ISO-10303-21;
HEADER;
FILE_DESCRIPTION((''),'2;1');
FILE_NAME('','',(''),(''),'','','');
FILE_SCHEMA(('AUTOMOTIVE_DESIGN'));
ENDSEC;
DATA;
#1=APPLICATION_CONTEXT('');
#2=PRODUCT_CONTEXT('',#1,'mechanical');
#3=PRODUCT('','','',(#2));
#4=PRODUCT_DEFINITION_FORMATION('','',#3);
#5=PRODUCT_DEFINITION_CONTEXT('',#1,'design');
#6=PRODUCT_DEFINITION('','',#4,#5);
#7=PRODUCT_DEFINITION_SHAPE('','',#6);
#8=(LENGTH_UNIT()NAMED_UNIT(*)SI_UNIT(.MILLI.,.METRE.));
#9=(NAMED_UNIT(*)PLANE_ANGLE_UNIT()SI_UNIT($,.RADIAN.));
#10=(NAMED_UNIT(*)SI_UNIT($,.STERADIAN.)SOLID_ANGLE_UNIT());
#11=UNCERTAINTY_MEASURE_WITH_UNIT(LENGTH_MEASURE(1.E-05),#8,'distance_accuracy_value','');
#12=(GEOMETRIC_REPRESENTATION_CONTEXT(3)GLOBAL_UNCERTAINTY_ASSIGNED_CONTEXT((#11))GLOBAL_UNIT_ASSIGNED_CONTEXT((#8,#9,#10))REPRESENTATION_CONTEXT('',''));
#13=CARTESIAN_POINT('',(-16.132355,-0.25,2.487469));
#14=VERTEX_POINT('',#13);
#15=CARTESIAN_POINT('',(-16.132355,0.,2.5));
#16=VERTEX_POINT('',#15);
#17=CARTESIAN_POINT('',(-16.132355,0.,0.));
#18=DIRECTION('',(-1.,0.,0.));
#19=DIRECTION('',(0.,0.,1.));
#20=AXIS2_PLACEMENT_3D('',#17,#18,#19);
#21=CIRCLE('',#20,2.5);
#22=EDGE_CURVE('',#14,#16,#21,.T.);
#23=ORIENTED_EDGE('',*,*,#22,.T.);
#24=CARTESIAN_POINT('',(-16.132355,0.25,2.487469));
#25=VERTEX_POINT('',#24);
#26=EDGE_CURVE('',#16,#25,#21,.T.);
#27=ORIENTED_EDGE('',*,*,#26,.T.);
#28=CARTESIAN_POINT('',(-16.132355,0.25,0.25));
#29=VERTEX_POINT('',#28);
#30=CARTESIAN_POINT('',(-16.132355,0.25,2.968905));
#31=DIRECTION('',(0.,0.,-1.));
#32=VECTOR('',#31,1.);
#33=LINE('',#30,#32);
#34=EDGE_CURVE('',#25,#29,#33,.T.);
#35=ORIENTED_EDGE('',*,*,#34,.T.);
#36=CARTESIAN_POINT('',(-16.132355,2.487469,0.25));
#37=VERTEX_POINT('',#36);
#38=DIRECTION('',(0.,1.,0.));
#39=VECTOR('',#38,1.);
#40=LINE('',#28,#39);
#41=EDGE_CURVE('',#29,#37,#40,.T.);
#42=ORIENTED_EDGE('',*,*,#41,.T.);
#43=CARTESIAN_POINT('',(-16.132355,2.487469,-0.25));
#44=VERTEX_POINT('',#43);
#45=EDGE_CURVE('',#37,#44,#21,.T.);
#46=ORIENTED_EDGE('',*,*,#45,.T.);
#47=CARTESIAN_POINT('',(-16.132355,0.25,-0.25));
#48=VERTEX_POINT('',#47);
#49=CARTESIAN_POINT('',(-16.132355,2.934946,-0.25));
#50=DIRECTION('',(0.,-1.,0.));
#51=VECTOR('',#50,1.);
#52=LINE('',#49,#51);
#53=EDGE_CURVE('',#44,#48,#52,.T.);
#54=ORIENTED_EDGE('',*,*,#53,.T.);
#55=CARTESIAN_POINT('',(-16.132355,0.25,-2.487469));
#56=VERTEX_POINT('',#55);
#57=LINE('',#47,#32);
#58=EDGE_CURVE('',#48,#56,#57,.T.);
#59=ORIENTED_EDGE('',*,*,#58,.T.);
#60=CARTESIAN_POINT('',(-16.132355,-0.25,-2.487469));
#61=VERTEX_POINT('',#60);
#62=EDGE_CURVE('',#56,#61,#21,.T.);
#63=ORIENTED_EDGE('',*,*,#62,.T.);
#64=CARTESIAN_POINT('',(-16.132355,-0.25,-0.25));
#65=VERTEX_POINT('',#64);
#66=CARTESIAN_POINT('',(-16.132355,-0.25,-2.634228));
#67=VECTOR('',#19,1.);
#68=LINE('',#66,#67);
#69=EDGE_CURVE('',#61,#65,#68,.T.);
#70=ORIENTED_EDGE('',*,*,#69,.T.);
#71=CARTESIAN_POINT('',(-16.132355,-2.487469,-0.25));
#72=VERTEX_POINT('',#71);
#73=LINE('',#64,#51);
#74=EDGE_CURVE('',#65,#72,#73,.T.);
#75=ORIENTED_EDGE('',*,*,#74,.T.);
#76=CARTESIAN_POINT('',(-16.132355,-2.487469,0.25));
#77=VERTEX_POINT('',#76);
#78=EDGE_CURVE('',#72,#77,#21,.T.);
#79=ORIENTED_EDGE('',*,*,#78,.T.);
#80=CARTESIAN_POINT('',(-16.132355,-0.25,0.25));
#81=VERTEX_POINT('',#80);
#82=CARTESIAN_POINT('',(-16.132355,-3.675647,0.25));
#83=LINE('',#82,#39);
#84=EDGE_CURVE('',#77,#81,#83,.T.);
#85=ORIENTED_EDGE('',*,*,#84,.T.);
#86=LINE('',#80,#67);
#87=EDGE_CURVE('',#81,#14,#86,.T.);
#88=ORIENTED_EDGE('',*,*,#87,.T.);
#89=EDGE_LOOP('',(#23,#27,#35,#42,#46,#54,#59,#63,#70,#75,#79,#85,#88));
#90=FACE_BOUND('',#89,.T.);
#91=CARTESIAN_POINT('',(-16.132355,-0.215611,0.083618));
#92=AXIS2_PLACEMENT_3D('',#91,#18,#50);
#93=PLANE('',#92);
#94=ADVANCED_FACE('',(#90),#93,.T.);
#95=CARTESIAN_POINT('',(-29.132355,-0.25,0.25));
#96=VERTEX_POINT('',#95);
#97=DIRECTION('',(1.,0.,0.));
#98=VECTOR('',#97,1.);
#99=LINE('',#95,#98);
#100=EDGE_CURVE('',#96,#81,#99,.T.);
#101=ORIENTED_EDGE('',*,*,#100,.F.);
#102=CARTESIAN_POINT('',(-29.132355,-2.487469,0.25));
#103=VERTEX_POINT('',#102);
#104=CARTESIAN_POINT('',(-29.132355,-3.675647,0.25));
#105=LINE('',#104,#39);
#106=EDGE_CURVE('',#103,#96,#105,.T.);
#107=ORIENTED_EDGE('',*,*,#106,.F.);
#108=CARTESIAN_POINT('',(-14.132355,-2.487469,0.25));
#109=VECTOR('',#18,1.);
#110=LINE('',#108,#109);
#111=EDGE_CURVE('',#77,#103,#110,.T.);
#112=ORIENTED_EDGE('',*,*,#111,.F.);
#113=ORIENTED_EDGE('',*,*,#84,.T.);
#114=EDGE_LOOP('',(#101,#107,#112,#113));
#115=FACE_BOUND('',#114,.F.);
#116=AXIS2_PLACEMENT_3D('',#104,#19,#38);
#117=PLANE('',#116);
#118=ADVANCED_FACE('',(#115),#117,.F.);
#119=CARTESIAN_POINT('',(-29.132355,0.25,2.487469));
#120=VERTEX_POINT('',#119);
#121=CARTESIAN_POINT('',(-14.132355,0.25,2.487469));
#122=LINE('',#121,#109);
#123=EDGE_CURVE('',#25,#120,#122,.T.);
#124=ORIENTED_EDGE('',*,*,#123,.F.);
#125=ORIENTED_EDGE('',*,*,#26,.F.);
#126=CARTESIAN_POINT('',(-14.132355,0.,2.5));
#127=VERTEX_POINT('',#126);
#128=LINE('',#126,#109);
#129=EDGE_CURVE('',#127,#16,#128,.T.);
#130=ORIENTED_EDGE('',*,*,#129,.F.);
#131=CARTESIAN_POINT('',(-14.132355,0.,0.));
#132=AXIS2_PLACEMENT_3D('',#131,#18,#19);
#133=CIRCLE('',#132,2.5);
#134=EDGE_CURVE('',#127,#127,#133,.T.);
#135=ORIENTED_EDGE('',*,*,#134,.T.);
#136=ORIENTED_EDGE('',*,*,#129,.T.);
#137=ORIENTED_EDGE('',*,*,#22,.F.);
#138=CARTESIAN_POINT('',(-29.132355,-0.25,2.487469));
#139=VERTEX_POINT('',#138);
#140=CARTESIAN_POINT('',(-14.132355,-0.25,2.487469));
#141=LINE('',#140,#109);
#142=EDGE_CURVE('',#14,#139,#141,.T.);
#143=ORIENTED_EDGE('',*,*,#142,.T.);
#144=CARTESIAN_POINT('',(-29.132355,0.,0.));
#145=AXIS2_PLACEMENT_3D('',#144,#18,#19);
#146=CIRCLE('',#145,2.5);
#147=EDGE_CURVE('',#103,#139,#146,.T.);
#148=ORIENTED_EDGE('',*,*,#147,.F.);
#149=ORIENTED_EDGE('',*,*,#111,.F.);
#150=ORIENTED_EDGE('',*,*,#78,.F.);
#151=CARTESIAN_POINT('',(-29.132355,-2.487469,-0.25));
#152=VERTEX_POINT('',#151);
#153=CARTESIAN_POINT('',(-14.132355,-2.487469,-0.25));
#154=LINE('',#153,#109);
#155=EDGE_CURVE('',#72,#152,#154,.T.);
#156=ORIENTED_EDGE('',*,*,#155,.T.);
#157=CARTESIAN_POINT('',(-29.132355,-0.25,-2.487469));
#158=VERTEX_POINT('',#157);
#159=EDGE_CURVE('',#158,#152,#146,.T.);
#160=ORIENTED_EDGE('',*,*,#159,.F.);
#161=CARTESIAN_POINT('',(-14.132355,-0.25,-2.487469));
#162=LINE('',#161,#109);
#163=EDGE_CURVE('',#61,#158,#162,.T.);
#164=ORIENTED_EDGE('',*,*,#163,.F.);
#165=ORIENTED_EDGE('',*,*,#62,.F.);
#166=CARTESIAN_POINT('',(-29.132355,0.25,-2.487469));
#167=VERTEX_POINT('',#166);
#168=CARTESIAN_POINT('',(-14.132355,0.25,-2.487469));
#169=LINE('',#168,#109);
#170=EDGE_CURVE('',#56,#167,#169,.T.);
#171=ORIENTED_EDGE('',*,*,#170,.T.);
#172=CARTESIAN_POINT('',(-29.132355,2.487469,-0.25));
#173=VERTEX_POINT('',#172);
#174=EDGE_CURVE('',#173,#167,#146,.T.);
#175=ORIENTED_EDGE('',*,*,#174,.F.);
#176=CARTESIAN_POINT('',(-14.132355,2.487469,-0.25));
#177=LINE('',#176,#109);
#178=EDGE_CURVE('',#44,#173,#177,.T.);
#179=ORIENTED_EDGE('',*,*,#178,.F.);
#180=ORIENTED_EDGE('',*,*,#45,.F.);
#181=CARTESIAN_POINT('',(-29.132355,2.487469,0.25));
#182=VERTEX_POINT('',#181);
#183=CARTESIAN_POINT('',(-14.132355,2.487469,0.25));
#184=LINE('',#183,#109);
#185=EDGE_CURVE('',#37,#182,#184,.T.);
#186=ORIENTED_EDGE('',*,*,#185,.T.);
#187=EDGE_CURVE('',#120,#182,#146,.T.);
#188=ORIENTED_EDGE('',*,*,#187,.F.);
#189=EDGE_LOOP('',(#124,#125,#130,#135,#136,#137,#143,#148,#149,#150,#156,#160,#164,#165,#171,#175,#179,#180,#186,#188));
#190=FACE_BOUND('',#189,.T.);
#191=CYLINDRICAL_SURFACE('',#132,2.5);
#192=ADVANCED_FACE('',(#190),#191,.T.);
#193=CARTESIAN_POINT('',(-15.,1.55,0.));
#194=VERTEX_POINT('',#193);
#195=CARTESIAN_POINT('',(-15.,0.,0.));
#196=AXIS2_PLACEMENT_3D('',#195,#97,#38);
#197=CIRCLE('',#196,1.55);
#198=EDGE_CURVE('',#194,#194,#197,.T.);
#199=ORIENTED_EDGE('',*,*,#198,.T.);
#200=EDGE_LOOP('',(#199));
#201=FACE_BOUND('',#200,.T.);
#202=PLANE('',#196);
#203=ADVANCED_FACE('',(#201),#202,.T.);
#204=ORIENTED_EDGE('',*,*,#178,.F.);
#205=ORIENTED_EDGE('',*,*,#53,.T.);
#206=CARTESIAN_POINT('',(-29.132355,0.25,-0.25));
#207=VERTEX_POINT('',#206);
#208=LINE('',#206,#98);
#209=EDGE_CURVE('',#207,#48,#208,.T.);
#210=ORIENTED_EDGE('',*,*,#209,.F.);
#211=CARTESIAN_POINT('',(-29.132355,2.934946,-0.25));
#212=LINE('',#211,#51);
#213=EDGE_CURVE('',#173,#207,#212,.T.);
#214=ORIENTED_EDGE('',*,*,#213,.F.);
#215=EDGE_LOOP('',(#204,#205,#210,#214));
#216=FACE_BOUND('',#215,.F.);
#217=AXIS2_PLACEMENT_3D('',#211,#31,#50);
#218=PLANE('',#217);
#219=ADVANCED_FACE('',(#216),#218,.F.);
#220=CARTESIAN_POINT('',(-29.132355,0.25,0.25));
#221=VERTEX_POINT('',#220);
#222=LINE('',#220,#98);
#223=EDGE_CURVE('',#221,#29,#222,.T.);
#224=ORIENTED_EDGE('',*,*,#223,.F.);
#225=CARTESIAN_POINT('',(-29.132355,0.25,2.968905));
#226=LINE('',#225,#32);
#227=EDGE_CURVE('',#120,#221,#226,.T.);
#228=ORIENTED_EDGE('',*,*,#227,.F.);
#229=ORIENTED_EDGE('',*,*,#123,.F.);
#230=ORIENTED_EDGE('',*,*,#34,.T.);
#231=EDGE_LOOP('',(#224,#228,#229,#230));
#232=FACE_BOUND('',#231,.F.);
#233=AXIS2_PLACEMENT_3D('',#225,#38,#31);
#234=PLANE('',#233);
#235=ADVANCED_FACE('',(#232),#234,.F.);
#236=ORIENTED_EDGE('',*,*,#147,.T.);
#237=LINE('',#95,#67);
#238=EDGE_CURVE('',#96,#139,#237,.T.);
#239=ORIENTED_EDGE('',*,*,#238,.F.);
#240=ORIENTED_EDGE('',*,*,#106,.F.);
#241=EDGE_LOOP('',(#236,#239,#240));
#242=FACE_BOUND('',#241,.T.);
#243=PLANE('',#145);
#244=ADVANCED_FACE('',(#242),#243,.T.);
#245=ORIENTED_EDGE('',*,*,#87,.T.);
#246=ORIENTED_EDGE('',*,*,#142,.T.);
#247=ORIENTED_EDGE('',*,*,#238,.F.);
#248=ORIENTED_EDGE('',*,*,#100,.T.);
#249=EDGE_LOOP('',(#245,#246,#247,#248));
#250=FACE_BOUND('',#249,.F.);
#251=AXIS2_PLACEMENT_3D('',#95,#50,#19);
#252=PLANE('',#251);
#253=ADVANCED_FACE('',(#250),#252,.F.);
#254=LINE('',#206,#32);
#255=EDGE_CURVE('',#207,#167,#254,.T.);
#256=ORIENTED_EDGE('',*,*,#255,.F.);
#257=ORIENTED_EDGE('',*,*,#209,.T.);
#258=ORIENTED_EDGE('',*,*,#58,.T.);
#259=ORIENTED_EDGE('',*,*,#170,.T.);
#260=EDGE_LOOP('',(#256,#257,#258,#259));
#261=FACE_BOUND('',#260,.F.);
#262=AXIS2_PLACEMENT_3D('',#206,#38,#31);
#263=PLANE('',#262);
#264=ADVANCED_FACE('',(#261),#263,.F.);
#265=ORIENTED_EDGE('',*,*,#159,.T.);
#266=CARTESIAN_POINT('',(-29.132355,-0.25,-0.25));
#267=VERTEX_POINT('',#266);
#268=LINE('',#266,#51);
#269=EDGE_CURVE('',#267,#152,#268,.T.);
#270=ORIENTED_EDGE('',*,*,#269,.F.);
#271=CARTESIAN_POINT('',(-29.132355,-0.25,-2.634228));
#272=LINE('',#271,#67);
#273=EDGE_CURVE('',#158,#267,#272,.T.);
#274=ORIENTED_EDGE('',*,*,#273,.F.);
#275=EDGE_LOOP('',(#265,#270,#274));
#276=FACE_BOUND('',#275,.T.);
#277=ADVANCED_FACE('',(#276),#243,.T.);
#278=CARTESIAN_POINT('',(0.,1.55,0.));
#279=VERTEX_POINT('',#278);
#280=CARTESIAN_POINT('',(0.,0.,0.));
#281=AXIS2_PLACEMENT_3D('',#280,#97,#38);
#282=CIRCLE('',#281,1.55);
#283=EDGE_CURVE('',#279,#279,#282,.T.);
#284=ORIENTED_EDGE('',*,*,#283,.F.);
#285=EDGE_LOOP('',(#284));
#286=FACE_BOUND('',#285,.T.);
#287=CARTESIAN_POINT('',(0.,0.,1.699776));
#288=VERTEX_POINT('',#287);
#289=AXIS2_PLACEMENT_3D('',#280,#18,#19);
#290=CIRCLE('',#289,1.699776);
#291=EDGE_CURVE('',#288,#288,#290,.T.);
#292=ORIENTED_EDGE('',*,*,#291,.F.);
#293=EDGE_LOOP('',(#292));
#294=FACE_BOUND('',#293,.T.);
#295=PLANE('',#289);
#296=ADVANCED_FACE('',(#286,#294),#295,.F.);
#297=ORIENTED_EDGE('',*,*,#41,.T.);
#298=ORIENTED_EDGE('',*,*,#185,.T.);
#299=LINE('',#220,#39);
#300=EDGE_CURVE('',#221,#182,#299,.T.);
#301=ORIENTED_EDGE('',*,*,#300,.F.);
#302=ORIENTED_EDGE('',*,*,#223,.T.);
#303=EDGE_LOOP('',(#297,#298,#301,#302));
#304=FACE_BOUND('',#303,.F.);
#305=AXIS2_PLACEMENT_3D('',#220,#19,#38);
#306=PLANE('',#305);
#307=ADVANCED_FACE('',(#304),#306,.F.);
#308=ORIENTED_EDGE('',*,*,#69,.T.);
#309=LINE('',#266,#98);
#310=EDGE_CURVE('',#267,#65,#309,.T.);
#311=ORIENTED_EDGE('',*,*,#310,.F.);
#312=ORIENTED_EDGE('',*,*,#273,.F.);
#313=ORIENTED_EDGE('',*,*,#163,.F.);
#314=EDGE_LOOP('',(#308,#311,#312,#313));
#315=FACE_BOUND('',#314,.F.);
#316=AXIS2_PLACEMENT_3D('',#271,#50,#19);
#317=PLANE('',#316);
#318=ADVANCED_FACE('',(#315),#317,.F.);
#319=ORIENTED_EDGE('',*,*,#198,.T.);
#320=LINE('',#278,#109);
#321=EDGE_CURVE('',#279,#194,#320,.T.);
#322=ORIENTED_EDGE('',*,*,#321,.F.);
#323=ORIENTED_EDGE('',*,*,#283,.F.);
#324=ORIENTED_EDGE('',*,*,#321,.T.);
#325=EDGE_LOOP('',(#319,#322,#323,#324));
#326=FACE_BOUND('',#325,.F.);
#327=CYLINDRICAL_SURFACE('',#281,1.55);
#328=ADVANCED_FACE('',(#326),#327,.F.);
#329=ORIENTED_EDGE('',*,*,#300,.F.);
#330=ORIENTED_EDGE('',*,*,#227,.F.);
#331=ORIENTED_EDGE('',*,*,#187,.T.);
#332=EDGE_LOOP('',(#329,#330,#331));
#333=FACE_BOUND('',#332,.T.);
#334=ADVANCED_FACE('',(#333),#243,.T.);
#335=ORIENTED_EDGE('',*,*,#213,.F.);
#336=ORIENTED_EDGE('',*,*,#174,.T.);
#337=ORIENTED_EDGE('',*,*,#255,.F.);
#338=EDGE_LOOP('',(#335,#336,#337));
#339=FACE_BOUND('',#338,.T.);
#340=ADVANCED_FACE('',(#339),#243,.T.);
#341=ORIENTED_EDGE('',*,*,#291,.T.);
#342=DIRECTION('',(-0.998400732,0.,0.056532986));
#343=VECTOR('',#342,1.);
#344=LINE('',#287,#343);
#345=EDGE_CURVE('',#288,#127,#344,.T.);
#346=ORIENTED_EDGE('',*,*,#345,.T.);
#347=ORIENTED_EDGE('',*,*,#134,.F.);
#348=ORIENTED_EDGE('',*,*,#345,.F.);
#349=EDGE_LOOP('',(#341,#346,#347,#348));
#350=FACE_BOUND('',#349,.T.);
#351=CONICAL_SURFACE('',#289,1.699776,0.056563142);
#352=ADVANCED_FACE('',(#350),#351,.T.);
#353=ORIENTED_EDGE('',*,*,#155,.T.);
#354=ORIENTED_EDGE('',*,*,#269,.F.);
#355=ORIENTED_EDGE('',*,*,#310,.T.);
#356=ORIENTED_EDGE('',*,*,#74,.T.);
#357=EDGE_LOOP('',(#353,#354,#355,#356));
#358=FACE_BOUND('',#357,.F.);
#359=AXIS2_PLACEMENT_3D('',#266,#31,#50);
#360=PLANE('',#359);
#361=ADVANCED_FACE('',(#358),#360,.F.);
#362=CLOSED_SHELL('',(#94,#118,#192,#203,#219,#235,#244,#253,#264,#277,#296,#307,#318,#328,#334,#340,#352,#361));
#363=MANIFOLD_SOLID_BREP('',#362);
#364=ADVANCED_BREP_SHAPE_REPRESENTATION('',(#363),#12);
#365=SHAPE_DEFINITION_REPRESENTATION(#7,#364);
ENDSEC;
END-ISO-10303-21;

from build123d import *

# Parameters (mm, degrees)
F2_R     = 1.55
F3_DEPTH = 15
F5_DEPTH = 13


with BuildPart() as f1:
    # F0 (on Front) → F1 (revolve)
    with BuildSketch(Plane.XZ):
        Polygon((-29.132355, 2.5), (-29.132355, 0), (0, 0), (0, 1.699776), (-14.132355, 2.5), align=None)
    revolve(axis=Axis((-14.566178, 0, 0), (-1, 0, 0)))

    # F2 (on Right) → F3 (cut)
    with BuildSketch(Plane.YZ):
        Circle(F2_R)
    extrude(amount=-F3_DEPTH, mode=Mode.SUBTRACT)

    # F4 (on face) → F5 (cut)
    with BuildSketch(Plane(origin=(-29.132355, 0, 0), x_dir=(0, -1, 0), z_dir=(-1, 0, 0))):
        Polygon((-2.934946, 0.25), (-2.934946, 0), (-2.934946, -0.25), (-0.25, -0.25), (-0.25, -2.634228), (0.25, -2.634228), (0.25, -0.25), (3.675647, -0.25), (3.675647, 0.25), (0.25, 0.25), (0.25, 2.968905), (-0.25, 2.968905), (-0.25, 0.25), align=None)
    extrude(amount=-F5_DEPTH, mode=Mode.SUBTRACT)


solid = f1.part
